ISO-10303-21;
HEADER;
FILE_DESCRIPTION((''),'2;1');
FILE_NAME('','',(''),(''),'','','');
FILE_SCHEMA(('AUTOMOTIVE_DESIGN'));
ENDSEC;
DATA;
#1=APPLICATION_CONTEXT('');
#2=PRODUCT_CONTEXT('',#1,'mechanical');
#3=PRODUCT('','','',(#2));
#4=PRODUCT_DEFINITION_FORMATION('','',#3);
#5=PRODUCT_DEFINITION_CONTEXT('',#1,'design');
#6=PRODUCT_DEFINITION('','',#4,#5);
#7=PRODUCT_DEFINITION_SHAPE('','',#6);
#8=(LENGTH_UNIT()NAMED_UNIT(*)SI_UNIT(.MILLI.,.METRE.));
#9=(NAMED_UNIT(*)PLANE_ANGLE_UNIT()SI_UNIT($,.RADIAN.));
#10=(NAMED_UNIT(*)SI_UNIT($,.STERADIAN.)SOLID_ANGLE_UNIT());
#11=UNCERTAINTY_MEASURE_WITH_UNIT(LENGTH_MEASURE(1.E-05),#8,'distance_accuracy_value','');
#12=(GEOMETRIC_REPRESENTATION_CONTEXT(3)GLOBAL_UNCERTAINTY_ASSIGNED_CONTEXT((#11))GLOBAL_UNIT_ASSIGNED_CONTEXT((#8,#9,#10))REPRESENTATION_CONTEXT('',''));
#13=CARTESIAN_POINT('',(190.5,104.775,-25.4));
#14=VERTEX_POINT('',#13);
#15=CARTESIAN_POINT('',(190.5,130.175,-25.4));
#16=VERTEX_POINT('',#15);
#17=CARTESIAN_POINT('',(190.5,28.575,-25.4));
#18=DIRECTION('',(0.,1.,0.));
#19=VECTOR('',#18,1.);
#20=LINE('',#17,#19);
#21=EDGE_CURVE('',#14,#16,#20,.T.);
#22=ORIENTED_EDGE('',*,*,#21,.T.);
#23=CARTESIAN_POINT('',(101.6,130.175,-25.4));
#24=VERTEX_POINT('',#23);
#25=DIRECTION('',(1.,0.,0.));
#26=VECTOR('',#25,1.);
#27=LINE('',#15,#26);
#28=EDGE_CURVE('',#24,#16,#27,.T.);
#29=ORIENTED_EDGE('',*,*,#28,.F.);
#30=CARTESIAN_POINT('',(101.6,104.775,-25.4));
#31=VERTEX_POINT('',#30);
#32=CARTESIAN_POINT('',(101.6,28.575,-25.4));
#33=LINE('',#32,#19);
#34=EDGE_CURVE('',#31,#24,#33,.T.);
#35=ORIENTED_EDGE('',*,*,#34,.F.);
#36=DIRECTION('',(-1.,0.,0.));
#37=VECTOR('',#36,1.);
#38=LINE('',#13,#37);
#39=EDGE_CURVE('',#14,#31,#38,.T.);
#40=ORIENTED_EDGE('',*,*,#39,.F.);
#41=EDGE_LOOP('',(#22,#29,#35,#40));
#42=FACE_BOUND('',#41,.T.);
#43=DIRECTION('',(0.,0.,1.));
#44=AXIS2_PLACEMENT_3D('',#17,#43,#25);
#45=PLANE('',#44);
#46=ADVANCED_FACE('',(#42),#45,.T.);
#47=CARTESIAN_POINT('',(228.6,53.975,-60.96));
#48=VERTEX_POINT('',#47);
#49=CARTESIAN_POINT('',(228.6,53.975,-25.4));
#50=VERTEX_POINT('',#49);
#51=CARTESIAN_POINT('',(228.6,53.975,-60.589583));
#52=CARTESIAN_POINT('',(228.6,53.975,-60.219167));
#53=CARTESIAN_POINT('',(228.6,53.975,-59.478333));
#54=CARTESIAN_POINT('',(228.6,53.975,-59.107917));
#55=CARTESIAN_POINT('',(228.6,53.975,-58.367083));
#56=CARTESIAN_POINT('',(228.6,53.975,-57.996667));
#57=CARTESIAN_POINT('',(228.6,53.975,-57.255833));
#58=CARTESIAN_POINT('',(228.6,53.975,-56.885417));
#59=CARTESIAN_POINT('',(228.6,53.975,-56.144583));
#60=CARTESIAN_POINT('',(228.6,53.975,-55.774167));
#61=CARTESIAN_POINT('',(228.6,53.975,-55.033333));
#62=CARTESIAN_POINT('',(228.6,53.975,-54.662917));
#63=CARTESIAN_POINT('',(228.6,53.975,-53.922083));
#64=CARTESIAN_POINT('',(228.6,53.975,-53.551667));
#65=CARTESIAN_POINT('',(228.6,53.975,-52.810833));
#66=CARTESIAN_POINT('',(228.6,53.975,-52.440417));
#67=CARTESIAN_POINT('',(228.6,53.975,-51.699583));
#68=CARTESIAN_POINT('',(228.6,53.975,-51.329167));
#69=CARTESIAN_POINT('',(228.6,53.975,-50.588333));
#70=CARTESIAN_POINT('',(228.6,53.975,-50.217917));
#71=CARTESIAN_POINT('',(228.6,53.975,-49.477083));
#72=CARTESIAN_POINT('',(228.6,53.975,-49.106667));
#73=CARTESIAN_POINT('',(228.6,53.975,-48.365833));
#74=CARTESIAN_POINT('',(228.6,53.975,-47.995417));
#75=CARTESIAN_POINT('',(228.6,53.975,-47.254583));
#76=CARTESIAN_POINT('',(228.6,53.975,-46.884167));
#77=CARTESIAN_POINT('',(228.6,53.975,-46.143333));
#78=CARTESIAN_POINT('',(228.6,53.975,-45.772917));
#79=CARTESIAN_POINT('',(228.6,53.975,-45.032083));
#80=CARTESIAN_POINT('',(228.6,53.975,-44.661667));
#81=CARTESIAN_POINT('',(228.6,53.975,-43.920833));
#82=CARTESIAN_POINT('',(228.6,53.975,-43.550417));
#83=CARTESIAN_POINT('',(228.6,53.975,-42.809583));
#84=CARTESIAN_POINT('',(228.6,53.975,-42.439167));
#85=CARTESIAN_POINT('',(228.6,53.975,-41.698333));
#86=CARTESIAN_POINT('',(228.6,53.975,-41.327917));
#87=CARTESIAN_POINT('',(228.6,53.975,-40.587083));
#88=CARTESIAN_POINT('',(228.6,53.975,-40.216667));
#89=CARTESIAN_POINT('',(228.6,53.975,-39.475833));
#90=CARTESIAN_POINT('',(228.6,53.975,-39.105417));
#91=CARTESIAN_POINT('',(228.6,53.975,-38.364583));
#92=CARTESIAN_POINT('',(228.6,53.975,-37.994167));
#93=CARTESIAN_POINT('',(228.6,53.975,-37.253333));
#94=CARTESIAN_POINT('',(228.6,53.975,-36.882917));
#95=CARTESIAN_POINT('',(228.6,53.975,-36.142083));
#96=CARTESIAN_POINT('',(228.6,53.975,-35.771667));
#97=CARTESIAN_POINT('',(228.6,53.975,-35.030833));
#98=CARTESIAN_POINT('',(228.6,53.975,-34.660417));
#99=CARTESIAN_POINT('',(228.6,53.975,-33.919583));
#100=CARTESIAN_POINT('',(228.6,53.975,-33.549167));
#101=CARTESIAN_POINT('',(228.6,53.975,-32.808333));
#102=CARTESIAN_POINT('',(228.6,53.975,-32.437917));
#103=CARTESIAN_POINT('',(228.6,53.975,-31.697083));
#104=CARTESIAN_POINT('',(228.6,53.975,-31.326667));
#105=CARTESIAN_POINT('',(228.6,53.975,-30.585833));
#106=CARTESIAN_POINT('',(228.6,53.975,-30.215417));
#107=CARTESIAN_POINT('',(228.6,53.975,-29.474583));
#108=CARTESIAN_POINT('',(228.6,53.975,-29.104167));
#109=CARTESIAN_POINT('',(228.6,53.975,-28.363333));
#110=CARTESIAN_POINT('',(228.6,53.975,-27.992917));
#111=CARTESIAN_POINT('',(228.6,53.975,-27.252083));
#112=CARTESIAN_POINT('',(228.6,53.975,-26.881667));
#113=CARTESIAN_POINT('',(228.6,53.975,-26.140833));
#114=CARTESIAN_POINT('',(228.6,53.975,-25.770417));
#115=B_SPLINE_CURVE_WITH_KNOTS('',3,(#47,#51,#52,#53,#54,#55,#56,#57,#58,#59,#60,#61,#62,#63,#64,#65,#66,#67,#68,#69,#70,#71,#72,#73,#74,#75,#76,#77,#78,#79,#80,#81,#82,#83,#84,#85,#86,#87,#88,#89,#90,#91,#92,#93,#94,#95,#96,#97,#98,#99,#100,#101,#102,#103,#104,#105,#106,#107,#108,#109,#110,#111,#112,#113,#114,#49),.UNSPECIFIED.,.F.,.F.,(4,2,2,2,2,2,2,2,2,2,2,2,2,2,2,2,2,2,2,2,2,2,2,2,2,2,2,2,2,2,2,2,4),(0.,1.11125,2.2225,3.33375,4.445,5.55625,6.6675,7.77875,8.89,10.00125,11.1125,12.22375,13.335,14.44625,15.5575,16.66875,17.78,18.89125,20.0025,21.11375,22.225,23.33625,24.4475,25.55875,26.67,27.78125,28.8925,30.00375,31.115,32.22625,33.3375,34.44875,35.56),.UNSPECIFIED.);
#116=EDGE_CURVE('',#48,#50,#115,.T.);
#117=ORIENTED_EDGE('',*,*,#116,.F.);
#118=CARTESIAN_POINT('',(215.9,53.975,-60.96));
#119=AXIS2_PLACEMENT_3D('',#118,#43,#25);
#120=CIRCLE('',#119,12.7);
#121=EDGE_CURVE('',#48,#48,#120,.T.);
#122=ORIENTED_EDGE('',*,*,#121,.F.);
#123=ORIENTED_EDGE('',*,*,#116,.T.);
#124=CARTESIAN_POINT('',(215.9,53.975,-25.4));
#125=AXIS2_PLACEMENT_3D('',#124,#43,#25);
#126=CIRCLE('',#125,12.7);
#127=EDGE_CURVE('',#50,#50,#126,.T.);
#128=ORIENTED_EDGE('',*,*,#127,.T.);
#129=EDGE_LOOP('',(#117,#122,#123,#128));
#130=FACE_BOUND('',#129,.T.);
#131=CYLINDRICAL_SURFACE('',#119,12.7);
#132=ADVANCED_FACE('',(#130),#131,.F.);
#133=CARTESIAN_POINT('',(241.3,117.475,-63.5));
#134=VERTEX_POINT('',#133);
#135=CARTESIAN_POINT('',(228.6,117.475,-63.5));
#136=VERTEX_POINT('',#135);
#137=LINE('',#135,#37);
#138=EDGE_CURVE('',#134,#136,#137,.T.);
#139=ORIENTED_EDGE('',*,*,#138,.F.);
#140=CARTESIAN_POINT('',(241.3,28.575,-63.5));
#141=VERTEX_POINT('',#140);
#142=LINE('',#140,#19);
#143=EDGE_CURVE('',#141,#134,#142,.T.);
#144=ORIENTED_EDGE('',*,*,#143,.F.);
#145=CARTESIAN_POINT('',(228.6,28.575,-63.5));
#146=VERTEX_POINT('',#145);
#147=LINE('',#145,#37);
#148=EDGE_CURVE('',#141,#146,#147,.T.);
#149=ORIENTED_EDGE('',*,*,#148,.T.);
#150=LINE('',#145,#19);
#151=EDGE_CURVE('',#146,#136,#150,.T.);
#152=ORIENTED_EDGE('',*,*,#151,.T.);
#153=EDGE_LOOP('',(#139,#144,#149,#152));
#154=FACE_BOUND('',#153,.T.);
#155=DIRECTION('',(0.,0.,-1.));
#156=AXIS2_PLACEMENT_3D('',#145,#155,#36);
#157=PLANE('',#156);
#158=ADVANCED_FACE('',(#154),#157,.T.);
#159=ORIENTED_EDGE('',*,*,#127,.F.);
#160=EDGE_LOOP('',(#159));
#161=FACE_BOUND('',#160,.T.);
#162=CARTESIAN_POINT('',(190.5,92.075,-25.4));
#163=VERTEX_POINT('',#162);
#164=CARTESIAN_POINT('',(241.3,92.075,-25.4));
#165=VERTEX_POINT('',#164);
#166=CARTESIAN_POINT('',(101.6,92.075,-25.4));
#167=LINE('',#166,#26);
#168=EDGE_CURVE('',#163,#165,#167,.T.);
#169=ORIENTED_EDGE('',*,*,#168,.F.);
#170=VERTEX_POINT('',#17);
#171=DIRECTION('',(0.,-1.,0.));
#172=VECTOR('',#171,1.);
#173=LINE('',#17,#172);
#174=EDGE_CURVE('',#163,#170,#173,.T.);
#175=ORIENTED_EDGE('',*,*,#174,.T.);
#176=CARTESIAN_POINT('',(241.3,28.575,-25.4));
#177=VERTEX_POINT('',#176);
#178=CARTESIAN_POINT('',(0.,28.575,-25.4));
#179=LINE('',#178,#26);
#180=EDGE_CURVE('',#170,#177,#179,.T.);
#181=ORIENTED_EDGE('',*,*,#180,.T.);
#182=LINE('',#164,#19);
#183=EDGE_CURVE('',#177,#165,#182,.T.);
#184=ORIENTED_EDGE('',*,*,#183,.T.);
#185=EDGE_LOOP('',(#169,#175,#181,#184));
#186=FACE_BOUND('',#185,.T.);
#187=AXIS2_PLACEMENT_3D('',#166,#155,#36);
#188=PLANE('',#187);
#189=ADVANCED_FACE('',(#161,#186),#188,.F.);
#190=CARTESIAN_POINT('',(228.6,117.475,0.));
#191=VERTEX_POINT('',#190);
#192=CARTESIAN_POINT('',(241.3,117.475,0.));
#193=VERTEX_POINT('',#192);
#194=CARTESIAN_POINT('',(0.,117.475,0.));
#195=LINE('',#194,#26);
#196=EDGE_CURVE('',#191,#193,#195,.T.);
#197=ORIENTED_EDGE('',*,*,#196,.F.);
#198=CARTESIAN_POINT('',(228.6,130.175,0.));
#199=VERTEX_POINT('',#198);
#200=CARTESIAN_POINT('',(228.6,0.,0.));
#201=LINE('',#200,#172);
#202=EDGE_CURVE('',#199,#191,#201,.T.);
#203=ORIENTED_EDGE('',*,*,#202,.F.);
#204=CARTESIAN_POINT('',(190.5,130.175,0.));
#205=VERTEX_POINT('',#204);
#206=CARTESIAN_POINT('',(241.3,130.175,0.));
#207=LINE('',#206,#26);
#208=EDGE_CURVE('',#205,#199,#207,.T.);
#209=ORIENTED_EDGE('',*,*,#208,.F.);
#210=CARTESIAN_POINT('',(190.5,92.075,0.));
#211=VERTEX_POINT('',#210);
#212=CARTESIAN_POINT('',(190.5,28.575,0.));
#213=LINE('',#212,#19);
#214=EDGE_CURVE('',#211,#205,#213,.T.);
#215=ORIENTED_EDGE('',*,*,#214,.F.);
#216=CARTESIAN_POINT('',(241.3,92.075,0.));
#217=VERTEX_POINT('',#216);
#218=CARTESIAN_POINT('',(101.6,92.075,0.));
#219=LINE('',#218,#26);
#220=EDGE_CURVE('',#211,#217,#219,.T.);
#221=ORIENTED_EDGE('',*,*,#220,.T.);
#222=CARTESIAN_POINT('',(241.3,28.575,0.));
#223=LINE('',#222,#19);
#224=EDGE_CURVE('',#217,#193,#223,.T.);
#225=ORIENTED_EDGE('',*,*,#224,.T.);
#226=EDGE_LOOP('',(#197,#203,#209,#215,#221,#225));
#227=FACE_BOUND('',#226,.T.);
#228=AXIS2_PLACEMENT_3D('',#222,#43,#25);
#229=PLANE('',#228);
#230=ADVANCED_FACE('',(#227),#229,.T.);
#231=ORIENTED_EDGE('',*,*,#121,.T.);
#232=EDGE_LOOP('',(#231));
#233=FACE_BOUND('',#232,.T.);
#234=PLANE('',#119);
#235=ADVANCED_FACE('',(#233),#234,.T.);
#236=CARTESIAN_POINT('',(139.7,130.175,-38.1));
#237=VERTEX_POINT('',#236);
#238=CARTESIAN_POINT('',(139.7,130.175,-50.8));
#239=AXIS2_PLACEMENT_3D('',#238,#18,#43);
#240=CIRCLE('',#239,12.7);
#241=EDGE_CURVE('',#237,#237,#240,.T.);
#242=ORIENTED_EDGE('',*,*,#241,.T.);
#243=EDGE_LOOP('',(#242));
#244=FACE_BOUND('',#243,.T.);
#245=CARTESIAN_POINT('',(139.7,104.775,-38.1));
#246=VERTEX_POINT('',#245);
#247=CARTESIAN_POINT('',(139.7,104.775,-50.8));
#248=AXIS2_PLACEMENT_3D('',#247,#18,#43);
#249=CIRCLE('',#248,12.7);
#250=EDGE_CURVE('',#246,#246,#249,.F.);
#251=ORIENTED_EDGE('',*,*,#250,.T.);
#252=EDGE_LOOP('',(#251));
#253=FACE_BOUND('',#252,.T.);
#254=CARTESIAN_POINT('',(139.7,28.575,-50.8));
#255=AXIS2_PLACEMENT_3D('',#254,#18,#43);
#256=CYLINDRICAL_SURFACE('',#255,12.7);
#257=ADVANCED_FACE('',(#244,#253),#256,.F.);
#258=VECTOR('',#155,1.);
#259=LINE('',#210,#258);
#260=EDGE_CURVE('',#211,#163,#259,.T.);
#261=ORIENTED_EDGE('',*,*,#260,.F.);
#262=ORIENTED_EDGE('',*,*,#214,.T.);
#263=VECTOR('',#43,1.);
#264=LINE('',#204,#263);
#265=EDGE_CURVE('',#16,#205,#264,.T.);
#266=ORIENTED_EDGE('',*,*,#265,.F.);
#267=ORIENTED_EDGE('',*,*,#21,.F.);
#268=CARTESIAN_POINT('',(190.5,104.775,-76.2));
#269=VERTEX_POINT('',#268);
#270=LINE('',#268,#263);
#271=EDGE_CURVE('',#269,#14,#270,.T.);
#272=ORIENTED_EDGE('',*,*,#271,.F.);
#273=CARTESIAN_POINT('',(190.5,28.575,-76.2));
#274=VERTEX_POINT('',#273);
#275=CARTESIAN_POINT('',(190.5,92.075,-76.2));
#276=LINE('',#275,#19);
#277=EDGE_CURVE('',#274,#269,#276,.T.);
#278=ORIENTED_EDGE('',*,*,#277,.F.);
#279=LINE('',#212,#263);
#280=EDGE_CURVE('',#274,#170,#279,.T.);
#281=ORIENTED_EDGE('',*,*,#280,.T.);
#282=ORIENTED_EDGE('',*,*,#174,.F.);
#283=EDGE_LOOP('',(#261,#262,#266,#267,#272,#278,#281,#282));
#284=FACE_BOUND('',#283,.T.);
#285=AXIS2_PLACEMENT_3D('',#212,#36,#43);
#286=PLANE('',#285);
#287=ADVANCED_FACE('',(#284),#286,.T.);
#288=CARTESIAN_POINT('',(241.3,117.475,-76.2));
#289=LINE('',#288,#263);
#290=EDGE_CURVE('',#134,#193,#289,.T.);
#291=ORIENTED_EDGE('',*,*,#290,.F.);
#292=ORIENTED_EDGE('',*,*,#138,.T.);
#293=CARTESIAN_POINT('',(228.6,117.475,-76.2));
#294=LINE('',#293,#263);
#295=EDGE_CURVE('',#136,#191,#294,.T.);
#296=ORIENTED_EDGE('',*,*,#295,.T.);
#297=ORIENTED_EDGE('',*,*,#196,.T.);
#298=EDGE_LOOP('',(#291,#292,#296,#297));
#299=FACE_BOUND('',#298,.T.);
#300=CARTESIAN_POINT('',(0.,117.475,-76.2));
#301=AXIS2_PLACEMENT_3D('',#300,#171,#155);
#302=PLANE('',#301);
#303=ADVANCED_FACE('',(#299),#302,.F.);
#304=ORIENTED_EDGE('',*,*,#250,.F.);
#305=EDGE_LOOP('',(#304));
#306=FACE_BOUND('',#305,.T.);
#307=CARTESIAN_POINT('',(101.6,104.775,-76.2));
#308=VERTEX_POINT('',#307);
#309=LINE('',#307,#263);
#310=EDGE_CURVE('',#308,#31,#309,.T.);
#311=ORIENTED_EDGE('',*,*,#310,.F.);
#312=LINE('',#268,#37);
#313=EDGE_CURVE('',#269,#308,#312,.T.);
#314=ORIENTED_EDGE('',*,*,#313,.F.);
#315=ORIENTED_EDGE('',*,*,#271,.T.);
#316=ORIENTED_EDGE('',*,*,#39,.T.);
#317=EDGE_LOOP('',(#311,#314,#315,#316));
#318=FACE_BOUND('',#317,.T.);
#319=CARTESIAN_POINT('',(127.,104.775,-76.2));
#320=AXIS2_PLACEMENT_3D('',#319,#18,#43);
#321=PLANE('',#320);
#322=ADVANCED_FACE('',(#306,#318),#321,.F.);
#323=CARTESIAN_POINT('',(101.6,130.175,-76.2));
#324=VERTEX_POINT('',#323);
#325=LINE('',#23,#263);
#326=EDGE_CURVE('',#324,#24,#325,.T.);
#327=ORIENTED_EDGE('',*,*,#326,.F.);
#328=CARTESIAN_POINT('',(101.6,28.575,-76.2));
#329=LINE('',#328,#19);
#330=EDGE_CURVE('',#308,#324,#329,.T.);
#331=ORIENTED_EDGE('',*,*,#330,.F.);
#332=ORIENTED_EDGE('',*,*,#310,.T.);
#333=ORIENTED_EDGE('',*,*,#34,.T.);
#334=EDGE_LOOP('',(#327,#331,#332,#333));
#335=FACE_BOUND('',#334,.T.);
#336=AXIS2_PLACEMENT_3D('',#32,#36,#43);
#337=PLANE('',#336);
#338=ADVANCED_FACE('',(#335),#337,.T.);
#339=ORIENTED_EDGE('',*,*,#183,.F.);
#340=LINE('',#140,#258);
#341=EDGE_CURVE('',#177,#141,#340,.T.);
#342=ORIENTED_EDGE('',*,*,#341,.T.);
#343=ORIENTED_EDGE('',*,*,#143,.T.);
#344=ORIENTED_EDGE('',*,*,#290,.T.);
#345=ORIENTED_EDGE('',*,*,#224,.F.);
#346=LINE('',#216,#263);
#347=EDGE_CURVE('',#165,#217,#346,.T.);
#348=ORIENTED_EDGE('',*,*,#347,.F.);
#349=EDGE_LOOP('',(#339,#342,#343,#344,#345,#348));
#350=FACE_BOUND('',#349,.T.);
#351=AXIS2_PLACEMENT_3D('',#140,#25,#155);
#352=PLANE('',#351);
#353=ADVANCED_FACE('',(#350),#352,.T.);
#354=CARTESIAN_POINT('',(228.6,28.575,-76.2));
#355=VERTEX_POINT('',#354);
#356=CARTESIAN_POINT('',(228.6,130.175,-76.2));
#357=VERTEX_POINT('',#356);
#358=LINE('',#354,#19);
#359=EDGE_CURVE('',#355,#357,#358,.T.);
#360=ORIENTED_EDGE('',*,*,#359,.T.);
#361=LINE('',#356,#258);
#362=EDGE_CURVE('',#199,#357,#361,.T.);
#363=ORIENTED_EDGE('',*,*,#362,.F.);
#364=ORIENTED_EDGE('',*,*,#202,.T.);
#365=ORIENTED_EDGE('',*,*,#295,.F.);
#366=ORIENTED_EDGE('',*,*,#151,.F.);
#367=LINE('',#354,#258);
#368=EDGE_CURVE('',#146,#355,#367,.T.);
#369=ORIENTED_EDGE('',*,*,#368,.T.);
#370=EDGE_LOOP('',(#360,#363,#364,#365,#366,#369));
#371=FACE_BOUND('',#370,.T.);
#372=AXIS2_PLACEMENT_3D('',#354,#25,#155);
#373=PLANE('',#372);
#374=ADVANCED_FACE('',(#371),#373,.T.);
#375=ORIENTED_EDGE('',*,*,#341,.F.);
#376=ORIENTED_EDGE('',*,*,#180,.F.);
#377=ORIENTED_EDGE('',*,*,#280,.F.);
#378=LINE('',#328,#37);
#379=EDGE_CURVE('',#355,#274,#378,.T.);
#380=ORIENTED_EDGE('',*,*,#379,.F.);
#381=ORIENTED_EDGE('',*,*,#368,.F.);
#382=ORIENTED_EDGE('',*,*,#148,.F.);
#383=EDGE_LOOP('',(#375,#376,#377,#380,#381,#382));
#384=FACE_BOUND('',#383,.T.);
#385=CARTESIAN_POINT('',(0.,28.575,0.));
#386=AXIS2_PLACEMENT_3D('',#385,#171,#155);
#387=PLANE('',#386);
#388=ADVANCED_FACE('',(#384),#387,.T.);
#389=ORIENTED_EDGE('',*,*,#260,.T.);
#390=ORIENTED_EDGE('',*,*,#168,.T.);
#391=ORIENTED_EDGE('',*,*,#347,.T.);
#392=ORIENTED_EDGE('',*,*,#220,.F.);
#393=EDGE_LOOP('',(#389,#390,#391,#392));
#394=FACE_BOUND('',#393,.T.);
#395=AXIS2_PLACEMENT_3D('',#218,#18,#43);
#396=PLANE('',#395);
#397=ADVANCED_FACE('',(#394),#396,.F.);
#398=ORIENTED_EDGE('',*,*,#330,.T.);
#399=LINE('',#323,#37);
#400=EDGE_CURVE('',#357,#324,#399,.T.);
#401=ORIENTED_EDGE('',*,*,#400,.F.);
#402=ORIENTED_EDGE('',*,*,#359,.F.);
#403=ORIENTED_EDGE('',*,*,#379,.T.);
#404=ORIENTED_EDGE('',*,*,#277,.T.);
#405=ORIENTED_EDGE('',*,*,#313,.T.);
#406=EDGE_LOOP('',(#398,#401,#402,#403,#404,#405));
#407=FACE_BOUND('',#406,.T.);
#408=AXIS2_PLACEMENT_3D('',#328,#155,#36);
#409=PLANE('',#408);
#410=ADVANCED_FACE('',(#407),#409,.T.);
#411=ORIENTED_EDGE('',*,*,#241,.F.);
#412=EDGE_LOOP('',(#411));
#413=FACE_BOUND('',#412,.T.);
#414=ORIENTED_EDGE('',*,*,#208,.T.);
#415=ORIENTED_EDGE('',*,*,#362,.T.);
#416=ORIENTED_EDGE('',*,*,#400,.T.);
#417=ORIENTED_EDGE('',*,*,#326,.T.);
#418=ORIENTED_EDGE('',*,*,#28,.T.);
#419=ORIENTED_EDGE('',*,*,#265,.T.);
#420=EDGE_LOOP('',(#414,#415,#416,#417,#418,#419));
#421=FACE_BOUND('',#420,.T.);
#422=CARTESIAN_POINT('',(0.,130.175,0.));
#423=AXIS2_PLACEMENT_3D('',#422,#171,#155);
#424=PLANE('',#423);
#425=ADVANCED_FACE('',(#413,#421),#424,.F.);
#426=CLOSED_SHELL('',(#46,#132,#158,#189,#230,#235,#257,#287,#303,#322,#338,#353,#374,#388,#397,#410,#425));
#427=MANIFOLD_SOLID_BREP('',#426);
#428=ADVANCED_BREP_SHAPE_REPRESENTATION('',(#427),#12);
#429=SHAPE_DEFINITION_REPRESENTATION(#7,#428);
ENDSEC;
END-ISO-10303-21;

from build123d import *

# Parameters (mm, degrees)
BOSS_EXTRUDE1_DEPTH = 101.6
SKETCH6_R           = 12.7
CUT_EXTRUDE1_DEPTH  = 273.680564031
CUT_EXTRUDE5_DEPTH  = 285.565740427
SKETCH10_W          = 12.7
SKETCH10_H          = 12.7
CUT_EXTRUDE6_DEPTH  = 285.565740427
SKETCH11_W          = 25.4
SKETCH11_H          = 63.5
CUT_EXTRUDE7_DEPTH  = 206.591976072
CUT_EXTRUDE10_START = -25.4
SKETCH12_R          = 12.7
CUT_EXTRUDE10_DEPTH = 35.56


with BuildPart() as part:
    # Sketch5 → Boss-Extrude1 (new body)
    with BuildSketch(Plane(origin=(0, 130.175, 0), x_dir=(-1, 0, 0), z_dir=(0, 1, 0))):
        Polygon((-241.3, 0), (-190.5, 0), (-190.5, -25.4), (-101.6, -25.4), (-101.6, -76.2), (-228.6, -76.2), (-228.6, -63.5), (-241.3, -63.5), align=None)
    extrude(amount=-BOSS_EXTRUDE1_DEPTH)

    # Sketch6 → Cut-Extrude1 (cut, through all)
    with BuildSketch(Plane(origin=(0, 130.175, 0), x_dir=(-1, 0, 0), z_dir=(0, 1, 0))):
        with Locations(Location((-139.7, -50.8, 0), (0, 0, 90))):
            Circle(SKETCH6_R)
    extrude(amount=-CUT_EXTRUDE1_DEPTH, mode=Mode.SUBTRACT)

    # Sketch8 → Cut-Extrude5 (cut, through all)
    with BuildSketch(Plane.XY):
        Polygon((190.5, 104.775), (139.7, 104.775), (127, 104.775), (101.6, 104.775), (101.6, 28.575), (190.5, 28.575), (190.5, 92.075), align=None)
    extrude(amount=-CUT_EXTRUDE5_DEPTH, mode=Mode.SUBTRACT)

    # Sketch10 → Cut-Extrude6 (cut, through all)
    with BuildSketch(Plane.XY):
        with Locations((234.95, 123.825)):
            Rectangle(SKETCH10_W, SKETCH10_H)
    extrude(amount=-CUT_EXTRUDE6_DEPTH, mode=Mode.SUBTRACT)

    # Sketch11 → Cut-Extrude7 (cut, through all)
    with BuildSketch(Plane(origin=(241.3, 0, 0), x_dir=(0, 0, -1), z_dir=(1, 0, 0))):
        with Locations((12.7, 60.325)):
            Rectangle(SKETCH11_W, SKETCH11_H)
    extrude(amount=-CUT_EXTRUDE7_DEPTH, mode=Mode.SUBTRACT)

    # Sketch12 → Cut-Extrude10 (cut)
    with BuildSketch(Plane.XY.offset(CUT_EXTRUDE10_START)):
        with Locations((215.9, 53.975)):
            Circle(SKETCH12_R)
    extrude(amount=-CUT_EXTRUDE10_DEPTH, mode=Mode.SUBTRACT)


solid = part.part
